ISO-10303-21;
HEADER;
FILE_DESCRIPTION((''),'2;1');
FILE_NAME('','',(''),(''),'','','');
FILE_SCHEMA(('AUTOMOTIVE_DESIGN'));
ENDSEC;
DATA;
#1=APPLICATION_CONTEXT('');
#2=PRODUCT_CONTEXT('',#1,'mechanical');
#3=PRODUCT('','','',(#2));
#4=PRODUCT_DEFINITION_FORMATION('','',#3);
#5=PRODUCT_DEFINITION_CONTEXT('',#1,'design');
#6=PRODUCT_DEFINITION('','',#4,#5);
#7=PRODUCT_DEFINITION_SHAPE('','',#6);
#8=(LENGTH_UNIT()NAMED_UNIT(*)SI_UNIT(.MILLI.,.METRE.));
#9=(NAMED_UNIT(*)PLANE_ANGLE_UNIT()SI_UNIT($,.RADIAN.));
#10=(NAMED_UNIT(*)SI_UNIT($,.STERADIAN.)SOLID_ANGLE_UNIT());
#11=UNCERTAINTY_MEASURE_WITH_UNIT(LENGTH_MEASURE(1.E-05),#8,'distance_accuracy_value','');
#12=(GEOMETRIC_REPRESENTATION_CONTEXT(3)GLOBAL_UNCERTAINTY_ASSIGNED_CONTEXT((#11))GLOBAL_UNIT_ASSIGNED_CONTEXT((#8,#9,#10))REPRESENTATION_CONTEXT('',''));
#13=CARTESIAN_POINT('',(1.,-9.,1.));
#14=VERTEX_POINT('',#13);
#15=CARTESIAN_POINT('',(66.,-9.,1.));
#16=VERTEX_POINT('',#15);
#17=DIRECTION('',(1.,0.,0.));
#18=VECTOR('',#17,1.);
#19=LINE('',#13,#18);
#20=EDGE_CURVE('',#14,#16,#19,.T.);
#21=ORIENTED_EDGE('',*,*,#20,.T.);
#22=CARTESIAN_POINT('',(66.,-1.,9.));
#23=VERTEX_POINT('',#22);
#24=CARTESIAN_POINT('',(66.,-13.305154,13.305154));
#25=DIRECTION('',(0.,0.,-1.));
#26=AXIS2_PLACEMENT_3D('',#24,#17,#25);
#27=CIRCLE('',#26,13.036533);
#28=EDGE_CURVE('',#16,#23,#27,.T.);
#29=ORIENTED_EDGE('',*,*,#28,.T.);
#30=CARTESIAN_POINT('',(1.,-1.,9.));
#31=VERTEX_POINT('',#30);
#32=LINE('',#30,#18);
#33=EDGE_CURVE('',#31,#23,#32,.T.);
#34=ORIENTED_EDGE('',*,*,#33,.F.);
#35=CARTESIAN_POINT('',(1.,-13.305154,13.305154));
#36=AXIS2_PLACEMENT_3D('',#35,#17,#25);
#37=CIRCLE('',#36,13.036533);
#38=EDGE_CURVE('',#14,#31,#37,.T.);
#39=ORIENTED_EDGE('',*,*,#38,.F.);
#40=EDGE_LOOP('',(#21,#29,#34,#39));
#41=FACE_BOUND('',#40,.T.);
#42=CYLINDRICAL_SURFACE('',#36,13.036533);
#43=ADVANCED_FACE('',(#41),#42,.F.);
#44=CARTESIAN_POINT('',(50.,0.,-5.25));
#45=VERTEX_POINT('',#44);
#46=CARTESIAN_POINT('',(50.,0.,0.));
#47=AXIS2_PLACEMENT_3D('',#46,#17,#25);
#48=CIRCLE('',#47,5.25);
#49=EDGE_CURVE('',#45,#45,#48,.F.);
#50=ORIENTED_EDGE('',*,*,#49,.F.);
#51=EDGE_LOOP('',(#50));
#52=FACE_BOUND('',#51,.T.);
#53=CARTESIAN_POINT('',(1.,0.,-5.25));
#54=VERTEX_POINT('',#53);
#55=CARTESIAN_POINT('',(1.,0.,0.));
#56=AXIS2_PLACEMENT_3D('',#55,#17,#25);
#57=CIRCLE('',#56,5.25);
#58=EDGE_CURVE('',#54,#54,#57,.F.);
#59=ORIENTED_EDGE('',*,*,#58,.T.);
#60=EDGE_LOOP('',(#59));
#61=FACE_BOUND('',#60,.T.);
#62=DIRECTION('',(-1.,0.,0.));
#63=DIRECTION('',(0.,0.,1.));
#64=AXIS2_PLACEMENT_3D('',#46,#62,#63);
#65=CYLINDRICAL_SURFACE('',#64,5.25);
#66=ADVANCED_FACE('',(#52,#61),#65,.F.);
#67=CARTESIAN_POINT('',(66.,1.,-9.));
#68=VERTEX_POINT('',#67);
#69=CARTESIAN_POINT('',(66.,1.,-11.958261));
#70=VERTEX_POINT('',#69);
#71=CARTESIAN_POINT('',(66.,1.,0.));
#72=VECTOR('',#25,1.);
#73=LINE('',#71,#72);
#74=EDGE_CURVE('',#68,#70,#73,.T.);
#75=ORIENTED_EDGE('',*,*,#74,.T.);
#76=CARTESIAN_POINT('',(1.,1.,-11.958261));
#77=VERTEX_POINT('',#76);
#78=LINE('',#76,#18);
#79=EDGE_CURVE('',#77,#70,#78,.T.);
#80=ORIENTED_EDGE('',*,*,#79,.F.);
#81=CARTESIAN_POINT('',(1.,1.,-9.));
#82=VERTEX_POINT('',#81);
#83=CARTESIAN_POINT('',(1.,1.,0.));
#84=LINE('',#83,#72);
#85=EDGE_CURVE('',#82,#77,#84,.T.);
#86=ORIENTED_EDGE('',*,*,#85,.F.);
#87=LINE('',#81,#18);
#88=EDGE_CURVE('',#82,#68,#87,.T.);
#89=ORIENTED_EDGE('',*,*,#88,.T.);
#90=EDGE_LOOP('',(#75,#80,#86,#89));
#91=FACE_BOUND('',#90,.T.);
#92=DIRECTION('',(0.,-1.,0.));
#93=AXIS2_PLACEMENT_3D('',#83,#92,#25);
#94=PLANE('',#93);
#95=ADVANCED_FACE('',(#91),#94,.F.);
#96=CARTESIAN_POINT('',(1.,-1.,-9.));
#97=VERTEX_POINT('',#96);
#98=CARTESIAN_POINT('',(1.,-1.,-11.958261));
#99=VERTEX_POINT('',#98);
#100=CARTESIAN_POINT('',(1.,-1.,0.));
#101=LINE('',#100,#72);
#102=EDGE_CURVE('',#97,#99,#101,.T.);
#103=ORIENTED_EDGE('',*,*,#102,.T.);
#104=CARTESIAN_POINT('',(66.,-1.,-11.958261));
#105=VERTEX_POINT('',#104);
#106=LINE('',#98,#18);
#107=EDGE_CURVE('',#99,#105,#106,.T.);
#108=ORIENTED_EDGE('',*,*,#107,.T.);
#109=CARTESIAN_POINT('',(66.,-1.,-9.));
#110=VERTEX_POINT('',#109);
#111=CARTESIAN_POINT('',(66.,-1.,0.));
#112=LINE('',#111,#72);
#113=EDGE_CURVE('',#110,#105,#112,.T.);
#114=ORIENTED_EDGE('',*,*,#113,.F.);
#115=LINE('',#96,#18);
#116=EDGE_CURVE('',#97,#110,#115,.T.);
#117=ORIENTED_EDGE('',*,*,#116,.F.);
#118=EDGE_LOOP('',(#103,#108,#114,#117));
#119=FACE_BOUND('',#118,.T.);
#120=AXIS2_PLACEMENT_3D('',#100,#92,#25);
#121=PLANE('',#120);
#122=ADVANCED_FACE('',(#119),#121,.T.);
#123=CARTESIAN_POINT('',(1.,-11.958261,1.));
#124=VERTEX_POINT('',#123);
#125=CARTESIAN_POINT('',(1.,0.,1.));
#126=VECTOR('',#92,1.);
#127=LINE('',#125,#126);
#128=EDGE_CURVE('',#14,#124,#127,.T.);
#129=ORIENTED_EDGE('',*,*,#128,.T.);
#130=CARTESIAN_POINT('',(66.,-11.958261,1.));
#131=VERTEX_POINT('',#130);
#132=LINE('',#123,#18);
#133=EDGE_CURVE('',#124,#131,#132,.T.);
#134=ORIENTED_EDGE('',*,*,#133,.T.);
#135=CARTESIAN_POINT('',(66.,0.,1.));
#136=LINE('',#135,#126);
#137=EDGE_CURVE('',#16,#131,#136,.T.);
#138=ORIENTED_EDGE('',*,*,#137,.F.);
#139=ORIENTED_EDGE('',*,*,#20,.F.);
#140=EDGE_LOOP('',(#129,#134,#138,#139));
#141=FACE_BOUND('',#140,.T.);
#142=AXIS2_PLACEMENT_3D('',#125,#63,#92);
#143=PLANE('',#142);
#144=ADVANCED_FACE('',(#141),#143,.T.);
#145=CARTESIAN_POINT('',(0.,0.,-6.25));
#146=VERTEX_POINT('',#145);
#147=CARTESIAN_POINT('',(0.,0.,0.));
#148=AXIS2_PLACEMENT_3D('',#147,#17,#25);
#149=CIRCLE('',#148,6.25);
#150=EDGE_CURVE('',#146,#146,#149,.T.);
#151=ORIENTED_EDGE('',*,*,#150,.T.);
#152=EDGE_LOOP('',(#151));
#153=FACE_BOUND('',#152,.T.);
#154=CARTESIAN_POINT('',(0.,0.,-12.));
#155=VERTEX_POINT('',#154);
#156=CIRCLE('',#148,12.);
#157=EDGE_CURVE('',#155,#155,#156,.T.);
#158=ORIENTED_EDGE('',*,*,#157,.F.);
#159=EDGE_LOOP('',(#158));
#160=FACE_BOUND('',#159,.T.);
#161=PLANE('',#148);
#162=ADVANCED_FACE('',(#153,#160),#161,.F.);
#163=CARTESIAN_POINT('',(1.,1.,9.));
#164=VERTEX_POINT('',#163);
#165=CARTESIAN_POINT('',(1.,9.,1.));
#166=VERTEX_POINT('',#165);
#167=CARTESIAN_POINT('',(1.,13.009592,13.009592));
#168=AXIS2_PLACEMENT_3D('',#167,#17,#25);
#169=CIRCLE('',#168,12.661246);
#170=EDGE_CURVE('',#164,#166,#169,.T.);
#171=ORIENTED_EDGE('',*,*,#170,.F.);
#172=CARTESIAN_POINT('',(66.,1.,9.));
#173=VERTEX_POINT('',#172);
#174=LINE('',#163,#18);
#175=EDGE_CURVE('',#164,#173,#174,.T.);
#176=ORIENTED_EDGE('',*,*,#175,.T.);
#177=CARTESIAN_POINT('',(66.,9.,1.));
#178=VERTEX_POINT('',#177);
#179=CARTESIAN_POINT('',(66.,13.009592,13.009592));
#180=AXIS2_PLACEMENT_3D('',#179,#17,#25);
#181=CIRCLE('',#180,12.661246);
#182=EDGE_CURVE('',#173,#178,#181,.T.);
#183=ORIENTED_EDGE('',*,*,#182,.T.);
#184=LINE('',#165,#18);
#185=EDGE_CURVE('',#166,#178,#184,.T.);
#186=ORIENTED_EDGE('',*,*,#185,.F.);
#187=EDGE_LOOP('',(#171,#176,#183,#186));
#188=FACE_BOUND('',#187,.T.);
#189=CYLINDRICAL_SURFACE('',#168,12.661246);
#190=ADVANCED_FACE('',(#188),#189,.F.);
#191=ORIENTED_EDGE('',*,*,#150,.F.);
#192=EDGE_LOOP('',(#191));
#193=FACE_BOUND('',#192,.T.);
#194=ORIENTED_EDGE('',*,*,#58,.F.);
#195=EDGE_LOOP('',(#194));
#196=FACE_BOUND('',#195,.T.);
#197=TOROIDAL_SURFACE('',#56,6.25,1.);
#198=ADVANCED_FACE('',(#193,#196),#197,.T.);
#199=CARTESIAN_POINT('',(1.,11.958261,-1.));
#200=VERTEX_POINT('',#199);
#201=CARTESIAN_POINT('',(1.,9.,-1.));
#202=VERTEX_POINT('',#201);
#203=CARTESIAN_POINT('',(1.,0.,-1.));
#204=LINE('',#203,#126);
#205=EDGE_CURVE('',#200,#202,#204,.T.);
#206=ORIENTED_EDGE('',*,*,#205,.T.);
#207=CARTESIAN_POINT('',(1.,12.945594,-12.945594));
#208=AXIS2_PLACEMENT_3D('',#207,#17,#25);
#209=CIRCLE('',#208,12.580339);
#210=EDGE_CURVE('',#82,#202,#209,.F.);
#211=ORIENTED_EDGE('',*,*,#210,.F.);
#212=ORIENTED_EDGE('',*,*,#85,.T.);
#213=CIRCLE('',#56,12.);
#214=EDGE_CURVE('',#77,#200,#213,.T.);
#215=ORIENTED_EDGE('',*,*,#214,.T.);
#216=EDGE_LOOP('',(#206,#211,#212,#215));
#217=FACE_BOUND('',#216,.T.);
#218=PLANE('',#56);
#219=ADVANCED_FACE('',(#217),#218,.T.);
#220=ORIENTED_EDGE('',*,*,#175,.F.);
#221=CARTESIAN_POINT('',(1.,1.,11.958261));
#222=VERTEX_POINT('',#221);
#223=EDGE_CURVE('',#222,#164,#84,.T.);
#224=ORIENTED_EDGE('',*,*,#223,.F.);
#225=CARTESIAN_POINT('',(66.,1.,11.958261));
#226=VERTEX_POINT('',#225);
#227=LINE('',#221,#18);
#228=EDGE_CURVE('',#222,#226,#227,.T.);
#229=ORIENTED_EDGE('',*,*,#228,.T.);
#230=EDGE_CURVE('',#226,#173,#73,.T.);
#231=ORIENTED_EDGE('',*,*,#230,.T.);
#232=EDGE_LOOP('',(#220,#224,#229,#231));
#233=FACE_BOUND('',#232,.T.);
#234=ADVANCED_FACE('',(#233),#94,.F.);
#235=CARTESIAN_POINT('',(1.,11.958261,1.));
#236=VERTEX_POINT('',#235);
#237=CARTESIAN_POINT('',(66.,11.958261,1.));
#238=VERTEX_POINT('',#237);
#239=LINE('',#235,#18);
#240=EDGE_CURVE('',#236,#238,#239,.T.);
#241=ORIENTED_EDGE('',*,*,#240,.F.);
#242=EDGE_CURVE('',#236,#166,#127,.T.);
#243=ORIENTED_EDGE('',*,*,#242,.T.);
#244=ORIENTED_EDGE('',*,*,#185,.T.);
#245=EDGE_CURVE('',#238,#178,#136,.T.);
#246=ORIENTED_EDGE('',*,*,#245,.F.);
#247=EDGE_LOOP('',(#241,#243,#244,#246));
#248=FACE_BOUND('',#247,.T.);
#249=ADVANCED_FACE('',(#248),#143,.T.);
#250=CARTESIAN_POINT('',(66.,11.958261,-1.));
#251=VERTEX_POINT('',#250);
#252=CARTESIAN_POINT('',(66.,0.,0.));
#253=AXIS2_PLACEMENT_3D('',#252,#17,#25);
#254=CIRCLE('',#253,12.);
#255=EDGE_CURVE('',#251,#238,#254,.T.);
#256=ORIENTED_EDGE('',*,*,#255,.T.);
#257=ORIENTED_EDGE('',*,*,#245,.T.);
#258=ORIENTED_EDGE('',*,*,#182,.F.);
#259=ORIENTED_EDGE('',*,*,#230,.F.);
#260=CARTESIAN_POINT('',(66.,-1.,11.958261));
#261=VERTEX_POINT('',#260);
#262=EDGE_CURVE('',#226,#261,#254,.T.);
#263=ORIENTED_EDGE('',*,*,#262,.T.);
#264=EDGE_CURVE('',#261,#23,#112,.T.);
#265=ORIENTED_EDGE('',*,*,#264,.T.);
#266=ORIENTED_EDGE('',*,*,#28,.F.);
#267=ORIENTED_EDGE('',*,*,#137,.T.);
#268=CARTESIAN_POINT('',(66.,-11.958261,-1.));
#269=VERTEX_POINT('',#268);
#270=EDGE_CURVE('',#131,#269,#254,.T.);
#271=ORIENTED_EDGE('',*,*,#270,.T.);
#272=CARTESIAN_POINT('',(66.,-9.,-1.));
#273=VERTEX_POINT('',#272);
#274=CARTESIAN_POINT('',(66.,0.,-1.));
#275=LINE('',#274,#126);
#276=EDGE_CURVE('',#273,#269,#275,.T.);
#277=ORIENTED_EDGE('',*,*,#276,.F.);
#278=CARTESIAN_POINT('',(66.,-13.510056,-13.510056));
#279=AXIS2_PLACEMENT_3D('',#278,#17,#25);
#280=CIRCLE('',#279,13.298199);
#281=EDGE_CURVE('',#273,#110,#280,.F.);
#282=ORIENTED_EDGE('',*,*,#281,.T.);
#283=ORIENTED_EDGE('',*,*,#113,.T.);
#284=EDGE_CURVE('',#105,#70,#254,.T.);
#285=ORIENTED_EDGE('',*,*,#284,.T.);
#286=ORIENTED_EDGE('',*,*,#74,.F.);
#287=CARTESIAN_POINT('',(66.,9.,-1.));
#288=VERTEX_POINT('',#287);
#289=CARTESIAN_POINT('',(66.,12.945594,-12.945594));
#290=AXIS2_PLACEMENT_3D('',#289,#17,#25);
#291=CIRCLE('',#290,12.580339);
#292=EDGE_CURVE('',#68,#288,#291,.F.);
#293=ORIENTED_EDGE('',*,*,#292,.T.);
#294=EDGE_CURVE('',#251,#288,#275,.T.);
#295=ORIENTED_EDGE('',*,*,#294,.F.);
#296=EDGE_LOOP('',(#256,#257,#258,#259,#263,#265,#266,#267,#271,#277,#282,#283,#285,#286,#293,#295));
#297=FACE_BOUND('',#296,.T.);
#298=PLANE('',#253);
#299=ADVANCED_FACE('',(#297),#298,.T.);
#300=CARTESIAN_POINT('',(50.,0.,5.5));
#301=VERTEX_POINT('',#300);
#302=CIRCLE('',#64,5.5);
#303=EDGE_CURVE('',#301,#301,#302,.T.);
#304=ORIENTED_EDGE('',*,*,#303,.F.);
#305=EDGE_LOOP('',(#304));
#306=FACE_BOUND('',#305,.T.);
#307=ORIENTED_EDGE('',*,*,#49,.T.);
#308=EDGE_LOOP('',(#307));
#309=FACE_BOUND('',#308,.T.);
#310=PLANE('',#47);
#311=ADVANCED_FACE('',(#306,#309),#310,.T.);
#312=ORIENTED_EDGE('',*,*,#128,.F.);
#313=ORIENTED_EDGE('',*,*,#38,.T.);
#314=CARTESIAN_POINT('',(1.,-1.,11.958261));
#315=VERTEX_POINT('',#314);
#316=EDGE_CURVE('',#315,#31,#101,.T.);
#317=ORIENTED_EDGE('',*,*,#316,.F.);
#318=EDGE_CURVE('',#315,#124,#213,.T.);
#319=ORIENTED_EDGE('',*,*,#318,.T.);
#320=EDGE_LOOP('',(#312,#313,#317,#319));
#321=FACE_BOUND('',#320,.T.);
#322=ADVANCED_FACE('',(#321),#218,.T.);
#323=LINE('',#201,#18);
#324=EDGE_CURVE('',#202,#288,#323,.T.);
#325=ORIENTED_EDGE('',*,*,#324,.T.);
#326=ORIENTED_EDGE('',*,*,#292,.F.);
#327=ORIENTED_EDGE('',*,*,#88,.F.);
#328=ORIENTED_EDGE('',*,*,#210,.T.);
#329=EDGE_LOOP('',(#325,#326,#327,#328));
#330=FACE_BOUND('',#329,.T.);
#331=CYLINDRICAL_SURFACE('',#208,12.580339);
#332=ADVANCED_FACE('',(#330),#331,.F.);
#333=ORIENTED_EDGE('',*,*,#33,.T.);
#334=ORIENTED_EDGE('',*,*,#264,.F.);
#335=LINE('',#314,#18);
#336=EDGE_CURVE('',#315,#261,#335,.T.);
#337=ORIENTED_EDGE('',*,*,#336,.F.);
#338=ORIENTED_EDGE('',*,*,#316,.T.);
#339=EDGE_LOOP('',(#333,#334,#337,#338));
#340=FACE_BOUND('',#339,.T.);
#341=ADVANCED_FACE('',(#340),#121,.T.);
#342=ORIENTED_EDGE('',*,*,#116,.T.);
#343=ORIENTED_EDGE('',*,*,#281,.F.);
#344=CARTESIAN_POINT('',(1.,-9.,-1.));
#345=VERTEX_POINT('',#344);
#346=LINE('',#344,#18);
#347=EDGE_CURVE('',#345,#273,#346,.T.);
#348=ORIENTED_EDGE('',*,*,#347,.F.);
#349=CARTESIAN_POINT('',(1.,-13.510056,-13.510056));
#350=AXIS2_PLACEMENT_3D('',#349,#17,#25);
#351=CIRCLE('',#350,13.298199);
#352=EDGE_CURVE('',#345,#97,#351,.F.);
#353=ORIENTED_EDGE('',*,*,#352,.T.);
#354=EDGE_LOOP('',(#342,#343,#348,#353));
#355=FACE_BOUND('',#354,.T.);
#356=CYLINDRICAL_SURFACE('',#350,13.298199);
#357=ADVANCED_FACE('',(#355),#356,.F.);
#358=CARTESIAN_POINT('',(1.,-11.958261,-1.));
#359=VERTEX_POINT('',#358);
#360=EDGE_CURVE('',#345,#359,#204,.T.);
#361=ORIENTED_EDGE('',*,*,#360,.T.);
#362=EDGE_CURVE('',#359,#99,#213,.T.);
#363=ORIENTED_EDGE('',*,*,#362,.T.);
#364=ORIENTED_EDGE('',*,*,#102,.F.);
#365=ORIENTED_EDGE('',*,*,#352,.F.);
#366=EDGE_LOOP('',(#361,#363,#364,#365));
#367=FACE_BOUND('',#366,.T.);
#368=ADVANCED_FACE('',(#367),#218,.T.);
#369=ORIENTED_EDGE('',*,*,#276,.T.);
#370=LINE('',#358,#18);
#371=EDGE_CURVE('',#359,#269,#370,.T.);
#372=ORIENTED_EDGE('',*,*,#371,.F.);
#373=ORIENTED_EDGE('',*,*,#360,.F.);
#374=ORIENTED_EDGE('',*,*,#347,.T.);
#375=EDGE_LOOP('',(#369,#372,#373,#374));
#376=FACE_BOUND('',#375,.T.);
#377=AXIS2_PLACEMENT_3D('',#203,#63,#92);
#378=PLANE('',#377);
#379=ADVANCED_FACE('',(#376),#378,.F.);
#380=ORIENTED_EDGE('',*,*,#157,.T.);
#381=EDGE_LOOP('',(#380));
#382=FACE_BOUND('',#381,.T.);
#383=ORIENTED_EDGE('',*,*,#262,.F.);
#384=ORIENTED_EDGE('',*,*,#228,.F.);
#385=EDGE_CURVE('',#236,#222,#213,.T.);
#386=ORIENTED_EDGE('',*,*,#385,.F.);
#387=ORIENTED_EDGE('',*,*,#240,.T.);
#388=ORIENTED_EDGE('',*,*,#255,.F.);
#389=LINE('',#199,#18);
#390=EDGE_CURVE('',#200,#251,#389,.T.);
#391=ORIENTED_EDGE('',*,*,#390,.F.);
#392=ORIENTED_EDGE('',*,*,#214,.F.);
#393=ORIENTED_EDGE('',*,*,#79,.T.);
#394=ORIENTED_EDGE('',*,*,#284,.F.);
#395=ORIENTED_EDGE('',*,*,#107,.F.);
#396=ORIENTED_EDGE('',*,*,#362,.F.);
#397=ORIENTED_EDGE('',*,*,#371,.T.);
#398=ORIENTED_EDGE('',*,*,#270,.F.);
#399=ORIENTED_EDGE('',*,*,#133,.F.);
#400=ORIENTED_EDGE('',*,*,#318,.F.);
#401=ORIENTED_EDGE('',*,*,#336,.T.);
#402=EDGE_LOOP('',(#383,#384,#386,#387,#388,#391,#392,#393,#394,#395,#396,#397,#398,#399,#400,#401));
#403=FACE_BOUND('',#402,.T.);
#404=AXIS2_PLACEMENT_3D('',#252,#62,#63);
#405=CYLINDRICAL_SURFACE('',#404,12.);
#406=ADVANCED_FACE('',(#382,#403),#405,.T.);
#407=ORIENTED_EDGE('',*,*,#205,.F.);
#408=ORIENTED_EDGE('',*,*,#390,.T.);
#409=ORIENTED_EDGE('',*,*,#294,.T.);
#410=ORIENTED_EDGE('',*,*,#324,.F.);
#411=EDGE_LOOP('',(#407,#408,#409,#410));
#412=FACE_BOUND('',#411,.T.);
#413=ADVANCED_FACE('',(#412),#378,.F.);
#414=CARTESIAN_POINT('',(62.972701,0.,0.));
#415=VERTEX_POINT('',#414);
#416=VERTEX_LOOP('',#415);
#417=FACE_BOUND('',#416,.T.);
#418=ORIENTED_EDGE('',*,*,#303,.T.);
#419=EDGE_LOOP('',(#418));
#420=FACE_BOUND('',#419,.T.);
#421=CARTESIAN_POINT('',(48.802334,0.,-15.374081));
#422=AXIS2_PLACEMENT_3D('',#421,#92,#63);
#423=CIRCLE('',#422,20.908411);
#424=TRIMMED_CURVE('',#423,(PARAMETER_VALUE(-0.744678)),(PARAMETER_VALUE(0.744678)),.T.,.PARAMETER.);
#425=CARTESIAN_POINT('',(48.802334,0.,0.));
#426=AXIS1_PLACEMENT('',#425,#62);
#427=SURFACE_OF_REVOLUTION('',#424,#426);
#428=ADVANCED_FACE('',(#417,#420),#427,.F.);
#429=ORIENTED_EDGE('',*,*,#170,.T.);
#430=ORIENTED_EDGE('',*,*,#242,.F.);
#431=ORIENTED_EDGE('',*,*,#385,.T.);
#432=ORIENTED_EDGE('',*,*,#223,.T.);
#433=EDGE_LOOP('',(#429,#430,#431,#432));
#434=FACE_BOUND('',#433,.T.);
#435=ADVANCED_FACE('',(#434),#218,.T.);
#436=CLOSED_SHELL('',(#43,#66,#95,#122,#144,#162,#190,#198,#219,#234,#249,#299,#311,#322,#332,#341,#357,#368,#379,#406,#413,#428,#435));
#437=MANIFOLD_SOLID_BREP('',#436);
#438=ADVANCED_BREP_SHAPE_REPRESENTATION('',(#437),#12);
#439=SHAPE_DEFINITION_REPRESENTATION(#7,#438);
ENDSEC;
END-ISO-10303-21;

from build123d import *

# Parameters (mm, degrees)
CROQUIS1_R              = 12
SALIENTE_EXTRUIR1_DEPTH = 66
CROQUIS2_R              = 5.25
CORTAR_EXTRUIR1_DEPTH   = 50
CORTAR_EXTRUIR3_DEPTH   = 65
REDONDEO1_R             = 1


with BuildPart() as part:
    # Croquis1 → Saliente-Extruir1 (new body)
    with BuildSketch(Plane(origin=(0, 0, 0), x_dir=(0, 0, -1), z_dir=(1, 0, 0))):
        Circle(CROQUIS1_R)
    extrude(amount=SALIENTE_EXTRUIR1_DEPTH)

    # Croquis2 → Cortar-Extruir1 (cut)
    with BuildSketch(Plane.ZY):
        Circle(CROQUIS2_R)
    extrude(amount=-CORTAR_EXTRUIR1_DEPTH, mode=Mode.SUBTRACT)

    # Croquis3 → Cortar-Extruir3 (cut)
    with BuildSketch(Plane(origin=(66, 0, 0), x_dir=(0, 0, -1), z_dir=(1, 0, 0))):
        with BuildLine():
            ThreePointArc((-1, 11.958260743), (-8.485281374, 8.485281374), (-11.958260743, 1))
            Line((-11.958260743, 1), (-9, 1))
            ThreePointArc((-9, 1), (-4.056739766, 4.056739766), (-1, 9))
            Line((-1, 9), (-1, 11.958260743))
        make_face()
        with BuildLine():
            Line((9, 1), (11.958260743, 1))
            ThreePointArc((11.958260743, 1), (8.485281374, 8.485281374), (1, 11.958260743))
            Line((1, 11.958260743), (1, 9))
            ThreePointArc((1, 9), (4.049951004, 4.049951004), (9, 1))
        make_face()
        with BuildLine():
            ThreePointArc((9, -1), (4.106809031, -4.106809031), (1, -9))
            Line((1, -9), (1, -11.958260743))
            ThreePointArc((1, -11.958260743), (8.485281374, -8.485281374), (11.958260743, -1))
            Line((11.958260743, -1), (9, -1))
        make_face()
        with BuildLine():
            ThreePointArc((-11.958260743, -1), (-8.485281374, -8.485281374), (-1, -11.958260743))
            Line((-1, -11.958260743), (-1, -9))
            ThreePointArc((-1, -9), (-4.086933884, -4.086933884), (-9, -1))
            Line((-9, -1), (-11.958260743, -1))
        make_face()
    extrude(amount=-CORTAR_EXTRUIR3_DEPTH, mode=Mode.SUBTRACT)

    # Redondeo1
    redondeo1_edges = [part.edges().sort_by_distance(p)[0] for p in [
        (0, 0, -5.25),
    ]]
    fillet(redondeo1_edges, radius=REDONDEO1_R)

    # Croquis8 → Cortar-Revolución1 (revolve, cut)
    with BuildSketch(Plane.XY):
        with BuildLine():
            Line((50, 0), (62.972700569, 0))
            ThreePointArc((62.972700569, 0), (56.963621034, 3.875725549), (50, 5.5))
            Line((50, 5.5), (50, 0))
        make_face()
    revolve(axis=Axis((50, 0, 0), (1, 0, 0)), mode=Mode.SUBTRACT)


solid = part.part
